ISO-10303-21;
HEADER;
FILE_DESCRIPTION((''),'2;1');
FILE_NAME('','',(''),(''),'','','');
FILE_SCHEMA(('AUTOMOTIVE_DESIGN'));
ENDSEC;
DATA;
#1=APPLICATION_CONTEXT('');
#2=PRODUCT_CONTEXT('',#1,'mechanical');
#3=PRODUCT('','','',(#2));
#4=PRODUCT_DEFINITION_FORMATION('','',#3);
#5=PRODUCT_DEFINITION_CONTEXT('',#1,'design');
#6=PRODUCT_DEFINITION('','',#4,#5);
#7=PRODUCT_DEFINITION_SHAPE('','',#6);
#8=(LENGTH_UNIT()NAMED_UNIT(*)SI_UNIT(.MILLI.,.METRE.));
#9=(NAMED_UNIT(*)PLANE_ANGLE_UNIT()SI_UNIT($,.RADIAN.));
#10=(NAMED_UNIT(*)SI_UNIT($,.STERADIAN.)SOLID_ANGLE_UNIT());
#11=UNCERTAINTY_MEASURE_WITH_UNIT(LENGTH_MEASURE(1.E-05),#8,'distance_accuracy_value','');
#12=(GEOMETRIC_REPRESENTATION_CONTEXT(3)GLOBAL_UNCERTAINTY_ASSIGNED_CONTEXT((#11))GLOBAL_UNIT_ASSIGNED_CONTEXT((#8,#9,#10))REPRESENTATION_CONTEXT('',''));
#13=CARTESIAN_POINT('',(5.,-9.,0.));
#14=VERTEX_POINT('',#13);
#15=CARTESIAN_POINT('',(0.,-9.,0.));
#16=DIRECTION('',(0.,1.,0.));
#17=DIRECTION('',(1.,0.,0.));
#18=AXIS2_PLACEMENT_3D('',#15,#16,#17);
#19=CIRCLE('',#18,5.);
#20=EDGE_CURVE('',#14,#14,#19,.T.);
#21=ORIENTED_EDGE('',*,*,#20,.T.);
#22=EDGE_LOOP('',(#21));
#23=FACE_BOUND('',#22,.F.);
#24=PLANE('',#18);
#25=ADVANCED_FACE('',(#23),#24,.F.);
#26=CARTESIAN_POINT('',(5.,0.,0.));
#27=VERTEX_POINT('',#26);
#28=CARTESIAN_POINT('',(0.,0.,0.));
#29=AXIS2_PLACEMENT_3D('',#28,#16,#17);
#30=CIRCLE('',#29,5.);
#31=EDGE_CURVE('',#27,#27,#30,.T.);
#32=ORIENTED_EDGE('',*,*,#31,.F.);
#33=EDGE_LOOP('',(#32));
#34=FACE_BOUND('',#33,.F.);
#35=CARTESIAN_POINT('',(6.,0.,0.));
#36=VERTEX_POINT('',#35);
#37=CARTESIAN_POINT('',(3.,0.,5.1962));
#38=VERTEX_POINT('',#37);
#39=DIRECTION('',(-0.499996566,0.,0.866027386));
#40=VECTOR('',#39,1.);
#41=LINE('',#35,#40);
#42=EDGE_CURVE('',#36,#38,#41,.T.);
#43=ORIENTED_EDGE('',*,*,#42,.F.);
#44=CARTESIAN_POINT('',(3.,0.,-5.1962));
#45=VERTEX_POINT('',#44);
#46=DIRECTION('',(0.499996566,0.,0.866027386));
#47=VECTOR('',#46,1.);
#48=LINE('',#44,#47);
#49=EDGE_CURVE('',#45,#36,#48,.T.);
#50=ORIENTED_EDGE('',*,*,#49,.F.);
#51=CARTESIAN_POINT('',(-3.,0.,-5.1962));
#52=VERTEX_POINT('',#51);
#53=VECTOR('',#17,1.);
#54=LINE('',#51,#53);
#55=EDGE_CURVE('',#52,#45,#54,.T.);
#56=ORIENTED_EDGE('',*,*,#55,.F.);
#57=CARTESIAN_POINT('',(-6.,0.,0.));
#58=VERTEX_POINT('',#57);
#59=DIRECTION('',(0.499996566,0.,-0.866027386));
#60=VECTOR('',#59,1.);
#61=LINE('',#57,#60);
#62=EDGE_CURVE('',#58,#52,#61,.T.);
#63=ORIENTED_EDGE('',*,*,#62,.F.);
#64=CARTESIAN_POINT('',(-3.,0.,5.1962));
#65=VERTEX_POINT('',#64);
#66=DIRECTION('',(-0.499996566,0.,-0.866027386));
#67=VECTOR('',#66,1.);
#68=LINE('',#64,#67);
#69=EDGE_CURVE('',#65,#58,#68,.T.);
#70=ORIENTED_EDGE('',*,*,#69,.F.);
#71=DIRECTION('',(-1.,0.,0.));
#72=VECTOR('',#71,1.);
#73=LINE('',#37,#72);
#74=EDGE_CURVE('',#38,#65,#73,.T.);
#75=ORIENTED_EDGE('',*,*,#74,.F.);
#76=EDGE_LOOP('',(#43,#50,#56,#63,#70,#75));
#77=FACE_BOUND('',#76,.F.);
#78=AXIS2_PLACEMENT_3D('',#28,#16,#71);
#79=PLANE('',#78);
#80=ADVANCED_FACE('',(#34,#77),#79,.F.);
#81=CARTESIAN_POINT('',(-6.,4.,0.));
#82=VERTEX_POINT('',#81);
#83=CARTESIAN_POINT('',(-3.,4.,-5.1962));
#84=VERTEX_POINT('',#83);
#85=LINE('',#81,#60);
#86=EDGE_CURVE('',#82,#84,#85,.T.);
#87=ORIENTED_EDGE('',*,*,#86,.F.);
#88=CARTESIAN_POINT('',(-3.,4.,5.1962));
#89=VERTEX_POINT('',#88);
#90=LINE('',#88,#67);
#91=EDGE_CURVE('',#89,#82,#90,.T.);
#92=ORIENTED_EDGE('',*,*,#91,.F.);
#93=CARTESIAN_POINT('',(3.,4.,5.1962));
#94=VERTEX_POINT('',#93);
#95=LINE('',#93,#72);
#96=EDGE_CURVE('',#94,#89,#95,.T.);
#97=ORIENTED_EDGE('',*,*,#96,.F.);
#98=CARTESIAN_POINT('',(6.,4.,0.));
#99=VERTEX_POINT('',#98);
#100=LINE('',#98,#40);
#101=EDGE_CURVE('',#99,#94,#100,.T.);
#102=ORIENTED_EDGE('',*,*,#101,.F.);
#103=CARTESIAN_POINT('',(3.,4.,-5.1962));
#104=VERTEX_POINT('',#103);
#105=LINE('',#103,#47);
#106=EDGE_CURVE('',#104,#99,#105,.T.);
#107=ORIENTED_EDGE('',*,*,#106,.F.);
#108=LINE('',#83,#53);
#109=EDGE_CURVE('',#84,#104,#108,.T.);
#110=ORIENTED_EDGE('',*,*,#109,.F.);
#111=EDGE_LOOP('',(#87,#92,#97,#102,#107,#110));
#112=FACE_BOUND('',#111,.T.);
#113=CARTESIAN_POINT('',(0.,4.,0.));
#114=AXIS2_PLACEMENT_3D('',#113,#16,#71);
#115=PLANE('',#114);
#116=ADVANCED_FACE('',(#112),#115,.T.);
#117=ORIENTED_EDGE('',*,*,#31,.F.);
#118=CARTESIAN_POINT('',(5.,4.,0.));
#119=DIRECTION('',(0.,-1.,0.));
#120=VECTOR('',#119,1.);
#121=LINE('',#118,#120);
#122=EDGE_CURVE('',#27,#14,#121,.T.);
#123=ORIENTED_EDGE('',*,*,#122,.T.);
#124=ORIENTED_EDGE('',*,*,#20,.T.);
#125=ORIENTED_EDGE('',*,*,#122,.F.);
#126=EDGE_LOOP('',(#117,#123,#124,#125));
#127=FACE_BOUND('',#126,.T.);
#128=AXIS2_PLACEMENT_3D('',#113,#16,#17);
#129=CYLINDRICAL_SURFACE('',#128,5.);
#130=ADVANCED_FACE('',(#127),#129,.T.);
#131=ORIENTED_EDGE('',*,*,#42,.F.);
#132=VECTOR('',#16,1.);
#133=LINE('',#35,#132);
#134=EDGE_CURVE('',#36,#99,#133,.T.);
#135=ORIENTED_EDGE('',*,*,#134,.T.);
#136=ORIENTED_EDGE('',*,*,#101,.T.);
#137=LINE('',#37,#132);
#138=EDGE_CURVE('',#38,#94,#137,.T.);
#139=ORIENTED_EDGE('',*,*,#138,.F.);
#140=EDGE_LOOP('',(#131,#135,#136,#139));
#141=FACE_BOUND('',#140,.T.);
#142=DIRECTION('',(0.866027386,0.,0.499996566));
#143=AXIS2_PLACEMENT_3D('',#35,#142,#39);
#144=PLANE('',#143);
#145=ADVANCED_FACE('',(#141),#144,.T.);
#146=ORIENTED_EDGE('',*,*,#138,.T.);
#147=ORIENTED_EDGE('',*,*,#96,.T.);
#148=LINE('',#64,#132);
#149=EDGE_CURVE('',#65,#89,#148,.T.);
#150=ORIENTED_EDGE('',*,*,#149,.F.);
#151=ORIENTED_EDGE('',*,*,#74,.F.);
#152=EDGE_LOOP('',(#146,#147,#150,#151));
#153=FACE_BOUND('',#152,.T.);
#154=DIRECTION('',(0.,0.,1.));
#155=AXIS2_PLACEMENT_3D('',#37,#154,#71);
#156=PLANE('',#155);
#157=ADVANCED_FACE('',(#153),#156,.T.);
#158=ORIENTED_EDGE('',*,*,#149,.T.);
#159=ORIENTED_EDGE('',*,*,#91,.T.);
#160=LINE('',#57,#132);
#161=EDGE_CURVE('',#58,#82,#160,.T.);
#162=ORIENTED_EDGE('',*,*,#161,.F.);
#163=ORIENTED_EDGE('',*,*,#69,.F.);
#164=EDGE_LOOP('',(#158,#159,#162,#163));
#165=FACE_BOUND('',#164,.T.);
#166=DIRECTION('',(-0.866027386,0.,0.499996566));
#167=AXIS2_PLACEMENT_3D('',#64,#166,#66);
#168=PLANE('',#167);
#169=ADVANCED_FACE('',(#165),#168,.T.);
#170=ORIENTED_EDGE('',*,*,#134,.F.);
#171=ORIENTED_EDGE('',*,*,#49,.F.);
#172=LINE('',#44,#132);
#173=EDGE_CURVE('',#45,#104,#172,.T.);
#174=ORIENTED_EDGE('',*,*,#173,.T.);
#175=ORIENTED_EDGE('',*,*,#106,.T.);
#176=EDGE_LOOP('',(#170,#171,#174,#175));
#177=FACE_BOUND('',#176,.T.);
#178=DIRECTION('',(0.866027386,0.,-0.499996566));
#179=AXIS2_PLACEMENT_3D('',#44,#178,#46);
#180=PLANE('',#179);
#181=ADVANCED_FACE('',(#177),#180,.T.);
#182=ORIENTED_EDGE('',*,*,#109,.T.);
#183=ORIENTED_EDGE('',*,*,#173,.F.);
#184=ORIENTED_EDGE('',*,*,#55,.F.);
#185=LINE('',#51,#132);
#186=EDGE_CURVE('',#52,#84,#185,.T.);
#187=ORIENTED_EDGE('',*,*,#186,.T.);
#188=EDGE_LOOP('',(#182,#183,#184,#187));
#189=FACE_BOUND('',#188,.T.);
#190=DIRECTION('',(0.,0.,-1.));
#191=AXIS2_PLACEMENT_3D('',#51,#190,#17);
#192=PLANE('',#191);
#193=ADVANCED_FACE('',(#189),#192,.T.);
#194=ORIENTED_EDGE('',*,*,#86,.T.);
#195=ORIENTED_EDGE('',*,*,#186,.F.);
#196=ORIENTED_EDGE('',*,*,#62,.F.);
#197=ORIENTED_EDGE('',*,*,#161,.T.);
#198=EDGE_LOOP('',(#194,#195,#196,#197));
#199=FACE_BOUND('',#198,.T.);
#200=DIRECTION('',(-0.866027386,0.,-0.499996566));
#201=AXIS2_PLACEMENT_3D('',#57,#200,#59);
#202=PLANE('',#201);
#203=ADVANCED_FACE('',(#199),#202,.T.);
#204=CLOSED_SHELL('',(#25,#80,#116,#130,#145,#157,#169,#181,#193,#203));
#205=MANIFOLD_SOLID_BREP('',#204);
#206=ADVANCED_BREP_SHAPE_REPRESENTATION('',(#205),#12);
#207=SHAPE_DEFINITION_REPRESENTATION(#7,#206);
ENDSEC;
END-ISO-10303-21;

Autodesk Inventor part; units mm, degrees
ref_plane "YZ Plane" through (0, 0, 0) normal (1, 0, 0) x (0, 1, 0)
ref_plane "XZ Plane" through (0, 0, 0) normal (0, 1, 0) x (-1, 0, 0)
ref_plane "XY Plane" through (0, 0, 0) normal (0, 0, 1) x (1, 0, 0)
sketch "Skizze1" plane through (0, 0, 0) normal (0, 1, 0) x (-1, 0, 0)
  line L0 (6, 0) -> (3, -5.1962)
  line L1 (3, -5.1962) -> (-3, -5.1962)
  line L2 (-3, -5.1962) -> (-6, 0)
  line L3 (-6, 0) -> (-3, 5.1962)
  line L4 (-3, 5.1962) -> (3, 5.1962)
  line L5 (3, 5.1962) -> (6, 0)
  circle A0 centre (0, 0) radius 5
  dimension "d0" = 12
  dimension "d1" = 10
extrude "Extrusion1" add sketch "Skizze1" along normal blind 4
sketch "Skizze2" plane through (0, 4, 0) normal (0, 1, 0) x (1, 0, 0)
  circle A0 centre (0, 0) radius 5
extrude "Extrusion2" add sketch "Skizze2" against normal blind 13
thread "Gewinde1" size "M10x1.5" class "6g" standard "ISO Metric profile" length 9
properties part number "1157"
